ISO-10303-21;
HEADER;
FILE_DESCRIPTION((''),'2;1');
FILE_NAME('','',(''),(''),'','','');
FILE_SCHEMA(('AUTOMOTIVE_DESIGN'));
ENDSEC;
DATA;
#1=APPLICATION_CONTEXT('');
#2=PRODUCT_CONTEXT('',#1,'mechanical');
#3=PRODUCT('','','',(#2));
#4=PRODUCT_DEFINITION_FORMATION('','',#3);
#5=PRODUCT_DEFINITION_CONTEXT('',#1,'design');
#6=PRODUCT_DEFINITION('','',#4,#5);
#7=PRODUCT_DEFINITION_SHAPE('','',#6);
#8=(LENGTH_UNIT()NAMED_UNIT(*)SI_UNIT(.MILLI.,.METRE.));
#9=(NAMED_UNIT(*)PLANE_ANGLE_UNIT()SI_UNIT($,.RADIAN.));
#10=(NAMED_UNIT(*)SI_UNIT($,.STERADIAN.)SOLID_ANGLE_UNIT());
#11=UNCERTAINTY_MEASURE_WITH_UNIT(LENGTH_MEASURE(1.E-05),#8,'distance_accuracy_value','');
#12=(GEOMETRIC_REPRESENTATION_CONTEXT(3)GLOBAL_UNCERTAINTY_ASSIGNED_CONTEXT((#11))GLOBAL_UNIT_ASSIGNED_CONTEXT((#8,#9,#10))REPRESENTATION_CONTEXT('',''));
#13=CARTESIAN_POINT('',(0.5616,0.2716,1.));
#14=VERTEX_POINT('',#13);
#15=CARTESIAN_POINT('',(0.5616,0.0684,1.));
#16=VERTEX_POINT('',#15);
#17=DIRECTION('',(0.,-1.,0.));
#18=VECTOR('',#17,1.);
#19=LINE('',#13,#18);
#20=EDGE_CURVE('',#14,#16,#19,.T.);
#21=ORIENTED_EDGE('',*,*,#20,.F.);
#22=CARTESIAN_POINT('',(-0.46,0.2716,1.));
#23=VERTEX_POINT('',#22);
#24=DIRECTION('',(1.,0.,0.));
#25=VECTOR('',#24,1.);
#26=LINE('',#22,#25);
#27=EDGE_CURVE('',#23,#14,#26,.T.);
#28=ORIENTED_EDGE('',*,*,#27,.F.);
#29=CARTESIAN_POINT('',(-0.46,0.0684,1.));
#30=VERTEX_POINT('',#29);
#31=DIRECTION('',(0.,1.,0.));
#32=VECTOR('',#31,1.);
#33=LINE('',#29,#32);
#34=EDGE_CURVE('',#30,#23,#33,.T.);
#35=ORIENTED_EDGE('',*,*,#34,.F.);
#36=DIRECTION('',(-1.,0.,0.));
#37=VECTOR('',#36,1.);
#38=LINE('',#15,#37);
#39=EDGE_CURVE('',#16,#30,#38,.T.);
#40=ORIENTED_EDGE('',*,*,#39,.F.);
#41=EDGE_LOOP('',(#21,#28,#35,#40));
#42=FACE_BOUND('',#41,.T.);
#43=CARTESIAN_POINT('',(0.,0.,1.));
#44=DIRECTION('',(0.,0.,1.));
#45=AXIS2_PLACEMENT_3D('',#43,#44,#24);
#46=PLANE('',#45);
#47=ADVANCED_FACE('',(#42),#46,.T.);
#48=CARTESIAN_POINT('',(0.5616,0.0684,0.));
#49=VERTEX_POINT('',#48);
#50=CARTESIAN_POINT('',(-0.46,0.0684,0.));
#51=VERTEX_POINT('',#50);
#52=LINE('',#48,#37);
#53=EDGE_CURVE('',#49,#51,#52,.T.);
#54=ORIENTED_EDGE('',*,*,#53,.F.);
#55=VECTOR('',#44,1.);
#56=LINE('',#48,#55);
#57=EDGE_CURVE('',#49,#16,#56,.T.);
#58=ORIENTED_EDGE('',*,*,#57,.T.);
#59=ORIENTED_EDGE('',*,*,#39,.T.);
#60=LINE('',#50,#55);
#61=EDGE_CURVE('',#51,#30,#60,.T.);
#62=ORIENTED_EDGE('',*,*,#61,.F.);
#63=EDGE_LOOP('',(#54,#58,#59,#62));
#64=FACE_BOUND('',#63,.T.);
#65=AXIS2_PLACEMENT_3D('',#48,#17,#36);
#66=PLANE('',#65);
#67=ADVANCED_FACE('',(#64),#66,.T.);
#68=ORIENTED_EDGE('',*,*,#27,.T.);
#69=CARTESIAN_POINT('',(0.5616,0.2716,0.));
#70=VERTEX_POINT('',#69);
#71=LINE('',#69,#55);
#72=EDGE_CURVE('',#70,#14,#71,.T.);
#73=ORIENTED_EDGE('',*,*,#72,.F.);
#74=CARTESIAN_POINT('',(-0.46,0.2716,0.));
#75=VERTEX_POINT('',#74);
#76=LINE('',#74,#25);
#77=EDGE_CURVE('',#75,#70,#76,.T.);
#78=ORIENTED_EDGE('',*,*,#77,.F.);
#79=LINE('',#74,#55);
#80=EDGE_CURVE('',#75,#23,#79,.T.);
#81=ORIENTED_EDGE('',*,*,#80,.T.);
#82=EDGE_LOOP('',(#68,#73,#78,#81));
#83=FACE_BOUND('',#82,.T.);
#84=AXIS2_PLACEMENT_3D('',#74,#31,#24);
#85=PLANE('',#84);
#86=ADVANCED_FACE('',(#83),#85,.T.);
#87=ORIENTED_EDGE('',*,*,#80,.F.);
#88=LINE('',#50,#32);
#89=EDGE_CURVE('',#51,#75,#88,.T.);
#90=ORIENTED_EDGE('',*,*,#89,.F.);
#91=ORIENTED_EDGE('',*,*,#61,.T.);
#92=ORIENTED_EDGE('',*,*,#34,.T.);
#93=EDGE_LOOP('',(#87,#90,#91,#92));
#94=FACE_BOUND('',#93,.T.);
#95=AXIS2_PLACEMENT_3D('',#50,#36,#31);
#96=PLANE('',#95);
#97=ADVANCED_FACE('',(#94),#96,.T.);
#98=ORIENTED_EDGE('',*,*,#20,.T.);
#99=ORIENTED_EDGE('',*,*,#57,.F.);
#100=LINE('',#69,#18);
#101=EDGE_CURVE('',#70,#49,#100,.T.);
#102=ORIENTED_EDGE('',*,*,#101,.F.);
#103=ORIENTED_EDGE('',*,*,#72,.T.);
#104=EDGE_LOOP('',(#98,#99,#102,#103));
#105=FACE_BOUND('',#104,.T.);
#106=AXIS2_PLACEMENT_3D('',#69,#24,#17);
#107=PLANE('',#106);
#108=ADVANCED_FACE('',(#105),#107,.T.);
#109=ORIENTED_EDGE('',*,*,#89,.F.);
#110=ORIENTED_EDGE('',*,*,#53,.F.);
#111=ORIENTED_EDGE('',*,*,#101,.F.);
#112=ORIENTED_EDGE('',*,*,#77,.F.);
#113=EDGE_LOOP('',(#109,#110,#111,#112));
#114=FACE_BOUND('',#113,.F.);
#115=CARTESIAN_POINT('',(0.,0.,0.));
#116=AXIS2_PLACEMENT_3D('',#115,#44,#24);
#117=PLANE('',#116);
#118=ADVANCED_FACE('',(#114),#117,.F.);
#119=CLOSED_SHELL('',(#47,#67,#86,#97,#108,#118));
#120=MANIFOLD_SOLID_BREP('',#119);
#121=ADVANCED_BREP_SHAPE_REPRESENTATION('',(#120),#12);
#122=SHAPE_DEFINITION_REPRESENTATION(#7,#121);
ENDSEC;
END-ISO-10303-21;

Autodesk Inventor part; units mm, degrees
ref_plane "YZ Plane" through (0, 0, 0) normal (1, 0, 0) x (0, 1, 0)
ref_plane "XZ Plane" through (0, 0, 0) normal (0, 1, 0) x (-1, 0, 0)
ref_plane "XY Plane" through (0, 0, 0) normal (0, 0, 1) x (1, 0, 0)
sketch "0603-LED-ALT1, GREEN_20" plane through (0, 0, 0) normal (0, 0, 1) x (1, 0, 0)
  line L0 (-0.46, 0.2716) -> (0.5616, 0.2716)
  line L1 (0.5616, 0.2716) -> (0.5616, 0.0684)
  line L2 (0.5616, 0.0684) -> (-0.46, 0.0684)
  line L3 (-0.46, 0.0684) -> (-0.46, 0.2716)
extrude "Extrusion1" add sketch "0603-LED-ALT1, GREEN_20" along normal blind 1
properties part number "GREEN"
